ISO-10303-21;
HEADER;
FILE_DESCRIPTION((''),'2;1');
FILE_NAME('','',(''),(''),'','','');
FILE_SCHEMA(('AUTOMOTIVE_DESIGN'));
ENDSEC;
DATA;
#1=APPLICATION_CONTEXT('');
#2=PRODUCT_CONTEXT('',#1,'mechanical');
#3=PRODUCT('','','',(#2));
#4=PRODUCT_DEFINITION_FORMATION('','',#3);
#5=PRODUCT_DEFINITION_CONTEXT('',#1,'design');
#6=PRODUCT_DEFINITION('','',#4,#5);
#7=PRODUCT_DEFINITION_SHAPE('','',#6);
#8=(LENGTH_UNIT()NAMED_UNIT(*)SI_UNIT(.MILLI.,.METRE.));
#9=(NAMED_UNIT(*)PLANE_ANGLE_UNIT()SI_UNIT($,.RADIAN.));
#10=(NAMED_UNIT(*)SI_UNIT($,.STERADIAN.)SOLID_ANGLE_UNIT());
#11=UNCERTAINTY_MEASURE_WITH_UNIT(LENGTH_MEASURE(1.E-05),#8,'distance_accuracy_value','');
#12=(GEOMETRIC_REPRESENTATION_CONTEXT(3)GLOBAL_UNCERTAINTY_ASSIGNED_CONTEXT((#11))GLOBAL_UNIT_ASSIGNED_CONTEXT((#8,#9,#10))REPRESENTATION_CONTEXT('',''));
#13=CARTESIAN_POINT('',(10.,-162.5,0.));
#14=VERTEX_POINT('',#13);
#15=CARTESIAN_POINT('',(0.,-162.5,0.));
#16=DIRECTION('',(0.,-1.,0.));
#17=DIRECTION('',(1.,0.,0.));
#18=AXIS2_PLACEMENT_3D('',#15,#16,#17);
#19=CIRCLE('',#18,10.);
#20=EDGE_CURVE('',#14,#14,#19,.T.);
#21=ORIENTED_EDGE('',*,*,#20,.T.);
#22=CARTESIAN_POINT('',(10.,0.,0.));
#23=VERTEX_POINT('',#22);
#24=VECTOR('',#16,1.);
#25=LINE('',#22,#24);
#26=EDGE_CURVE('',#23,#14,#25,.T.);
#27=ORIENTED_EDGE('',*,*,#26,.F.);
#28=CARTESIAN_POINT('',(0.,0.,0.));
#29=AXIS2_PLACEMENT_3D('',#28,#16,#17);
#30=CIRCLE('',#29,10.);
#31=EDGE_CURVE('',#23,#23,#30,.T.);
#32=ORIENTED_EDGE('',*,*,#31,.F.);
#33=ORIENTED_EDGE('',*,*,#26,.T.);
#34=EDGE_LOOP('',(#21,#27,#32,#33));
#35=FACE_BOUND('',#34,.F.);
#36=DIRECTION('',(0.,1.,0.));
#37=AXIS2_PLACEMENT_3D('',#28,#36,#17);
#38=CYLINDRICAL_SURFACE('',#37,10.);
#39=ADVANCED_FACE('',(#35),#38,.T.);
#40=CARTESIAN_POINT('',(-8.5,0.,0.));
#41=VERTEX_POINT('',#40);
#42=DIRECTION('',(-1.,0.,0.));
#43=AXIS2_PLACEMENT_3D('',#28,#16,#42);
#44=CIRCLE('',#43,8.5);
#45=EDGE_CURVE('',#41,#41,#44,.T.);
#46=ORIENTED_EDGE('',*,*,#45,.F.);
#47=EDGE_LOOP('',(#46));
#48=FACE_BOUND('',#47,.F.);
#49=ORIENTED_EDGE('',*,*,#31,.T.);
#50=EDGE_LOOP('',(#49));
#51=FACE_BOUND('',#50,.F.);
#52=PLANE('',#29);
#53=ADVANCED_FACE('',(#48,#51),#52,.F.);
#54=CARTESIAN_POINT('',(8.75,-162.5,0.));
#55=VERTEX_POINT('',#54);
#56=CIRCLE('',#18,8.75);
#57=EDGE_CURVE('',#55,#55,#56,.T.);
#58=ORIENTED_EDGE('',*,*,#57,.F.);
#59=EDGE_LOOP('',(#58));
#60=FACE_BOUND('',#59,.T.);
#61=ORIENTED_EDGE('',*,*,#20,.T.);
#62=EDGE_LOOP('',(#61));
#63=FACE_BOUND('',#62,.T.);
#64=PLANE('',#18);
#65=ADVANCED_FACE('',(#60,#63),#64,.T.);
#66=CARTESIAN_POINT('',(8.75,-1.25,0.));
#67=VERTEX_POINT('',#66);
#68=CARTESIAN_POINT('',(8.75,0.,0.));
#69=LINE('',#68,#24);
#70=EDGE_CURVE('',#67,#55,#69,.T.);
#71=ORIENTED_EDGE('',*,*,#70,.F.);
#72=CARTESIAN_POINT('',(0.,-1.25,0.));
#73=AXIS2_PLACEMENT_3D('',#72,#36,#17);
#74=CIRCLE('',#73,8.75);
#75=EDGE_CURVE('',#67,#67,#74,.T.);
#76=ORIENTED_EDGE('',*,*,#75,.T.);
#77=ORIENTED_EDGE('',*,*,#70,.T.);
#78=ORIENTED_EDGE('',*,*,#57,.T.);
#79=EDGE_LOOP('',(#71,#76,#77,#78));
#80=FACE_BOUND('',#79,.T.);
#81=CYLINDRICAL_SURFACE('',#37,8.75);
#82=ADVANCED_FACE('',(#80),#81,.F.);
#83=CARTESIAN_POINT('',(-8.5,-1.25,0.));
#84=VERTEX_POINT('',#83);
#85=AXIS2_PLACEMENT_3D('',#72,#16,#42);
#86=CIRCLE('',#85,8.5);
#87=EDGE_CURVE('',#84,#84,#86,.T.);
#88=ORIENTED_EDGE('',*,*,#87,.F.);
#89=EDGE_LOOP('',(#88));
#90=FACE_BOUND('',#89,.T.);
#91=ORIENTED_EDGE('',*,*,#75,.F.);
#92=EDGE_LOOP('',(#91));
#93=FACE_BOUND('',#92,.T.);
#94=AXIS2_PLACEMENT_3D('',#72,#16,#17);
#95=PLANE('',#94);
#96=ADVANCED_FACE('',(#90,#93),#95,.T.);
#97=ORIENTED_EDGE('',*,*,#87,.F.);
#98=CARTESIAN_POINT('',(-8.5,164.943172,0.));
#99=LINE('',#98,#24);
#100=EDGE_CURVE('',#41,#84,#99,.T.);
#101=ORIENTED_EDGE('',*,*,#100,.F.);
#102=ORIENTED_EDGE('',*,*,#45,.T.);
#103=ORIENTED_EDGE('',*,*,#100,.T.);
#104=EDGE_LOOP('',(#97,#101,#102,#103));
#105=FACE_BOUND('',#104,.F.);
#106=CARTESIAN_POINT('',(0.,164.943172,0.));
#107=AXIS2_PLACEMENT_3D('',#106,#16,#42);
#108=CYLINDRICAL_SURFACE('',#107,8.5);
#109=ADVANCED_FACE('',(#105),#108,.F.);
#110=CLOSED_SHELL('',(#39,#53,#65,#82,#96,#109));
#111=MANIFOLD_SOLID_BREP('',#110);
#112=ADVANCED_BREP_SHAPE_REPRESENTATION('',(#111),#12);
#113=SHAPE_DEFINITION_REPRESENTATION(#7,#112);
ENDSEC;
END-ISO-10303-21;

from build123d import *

# Parameters (mm, degrees)
F0_R     = 10
F1_DEPTH = 162.5
F2_T     = -1.25
F3_D     = 17


with BuildPart() as f1:
    # F0 (on Front) → F1 (new body)
    with BuildSketch(Plane.XZ):
        Circle(F0_R)
    extrude(amount=F1_DEPTH)

    # F2
    f2_openings = [f1.faces().sort_by_distance(p)[0] for p in [
        (0, -162.5, 0),
    ]]
    offset(amount=F2_T, openings=f2_openings)

    # F3 (through all)
    with Locations(Plane(origin=(0, 0, 0), x_dir=(1, 0, 0), z_dir=(0, 1, 0))):
        with Locations((0, 0)):
            Hole(F3_D / 2)


solid = f1.part
